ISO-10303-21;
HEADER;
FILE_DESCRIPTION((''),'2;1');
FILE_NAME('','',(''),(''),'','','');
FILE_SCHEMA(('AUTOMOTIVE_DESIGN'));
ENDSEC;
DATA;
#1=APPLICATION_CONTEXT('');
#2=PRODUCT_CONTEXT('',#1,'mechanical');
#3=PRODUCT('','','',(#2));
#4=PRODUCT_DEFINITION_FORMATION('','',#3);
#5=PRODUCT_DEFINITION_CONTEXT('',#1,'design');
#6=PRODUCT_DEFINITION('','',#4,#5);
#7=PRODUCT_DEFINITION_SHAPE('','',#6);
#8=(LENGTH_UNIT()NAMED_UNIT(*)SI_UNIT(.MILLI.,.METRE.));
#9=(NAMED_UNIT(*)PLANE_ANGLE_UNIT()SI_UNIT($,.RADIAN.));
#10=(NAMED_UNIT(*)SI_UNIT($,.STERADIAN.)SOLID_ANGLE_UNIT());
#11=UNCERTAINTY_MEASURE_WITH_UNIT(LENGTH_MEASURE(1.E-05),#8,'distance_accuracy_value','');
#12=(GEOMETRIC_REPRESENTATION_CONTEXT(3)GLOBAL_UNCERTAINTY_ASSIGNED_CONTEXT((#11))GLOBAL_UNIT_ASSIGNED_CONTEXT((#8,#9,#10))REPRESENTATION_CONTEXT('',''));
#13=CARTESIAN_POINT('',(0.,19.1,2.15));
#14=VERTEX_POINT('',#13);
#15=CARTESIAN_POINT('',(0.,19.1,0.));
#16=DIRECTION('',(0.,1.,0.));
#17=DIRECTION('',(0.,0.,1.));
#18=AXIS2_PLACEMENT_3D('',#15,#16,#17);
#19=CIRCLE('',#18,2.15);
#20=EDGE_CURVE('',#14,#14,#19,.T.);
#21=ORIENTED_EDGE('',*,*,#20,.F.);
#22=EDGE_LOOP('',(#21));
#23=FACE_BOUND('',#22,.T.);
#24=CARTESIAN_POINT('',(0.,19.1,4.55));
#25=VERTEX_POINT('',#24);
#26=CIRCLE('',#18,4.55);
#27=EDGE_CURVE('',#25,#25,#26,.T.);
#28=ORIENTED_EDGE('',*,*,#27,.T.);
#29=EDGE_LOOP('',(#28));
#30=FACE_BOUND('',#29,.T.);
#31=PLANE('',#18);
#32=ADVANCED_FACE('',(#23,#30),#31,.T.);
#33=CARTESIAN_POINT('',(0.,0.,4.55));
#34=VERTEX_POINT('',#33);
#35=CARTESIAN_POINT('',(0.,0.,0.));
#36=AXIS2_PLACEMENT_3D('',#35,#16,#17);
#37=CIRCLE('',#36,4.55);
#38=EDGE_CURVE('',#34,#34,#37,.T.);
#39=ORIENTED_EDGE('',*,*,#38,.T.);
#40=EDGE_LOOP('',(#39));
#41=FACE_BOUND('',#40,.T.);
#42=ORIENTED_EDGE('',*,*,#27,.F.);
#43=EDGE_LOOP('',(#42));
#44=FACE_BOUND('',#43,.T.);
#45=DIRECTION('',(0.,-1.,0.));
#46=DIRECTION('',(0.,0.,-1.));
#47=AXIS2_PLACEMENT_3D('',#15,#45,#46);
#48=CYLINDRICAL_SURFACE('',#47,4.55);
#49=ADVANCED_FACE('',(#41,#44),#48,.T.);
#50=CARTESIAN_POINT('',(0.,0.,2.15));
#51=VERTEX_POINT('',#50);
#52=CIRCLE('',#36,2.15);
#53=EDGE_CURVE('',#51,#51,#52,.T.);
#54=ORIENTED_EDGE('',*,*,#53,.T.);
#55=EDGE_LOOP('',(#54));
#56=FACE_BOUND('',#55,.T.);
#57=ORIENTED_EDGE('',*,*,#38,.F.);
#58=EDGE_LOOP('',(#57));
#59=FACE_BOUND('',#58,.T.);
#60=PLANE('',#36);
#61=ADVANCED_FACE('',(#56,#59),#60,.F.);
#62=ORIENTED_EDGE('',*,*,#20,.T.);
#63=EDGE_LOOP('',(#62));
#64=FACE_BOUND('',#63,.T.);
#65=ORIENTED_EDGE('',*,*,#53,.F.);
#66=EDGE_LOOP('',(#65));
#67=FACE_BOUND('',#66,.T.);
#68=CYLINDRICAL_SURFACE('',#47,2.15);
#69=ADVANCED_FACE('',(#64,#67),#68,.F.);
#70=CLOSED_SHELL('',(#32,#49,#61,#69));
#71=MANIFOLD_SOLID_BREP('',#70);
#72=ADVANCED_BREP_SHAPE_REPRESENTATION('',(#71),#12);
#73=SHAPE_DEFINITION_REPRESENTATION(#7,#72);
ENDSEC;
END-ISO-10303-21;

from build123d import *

# Parameters (mm, degrees)
SKETCH1_R           = 4.55
SKETCH1_R_2         = 2.15
BOSS_EXTRUDE2_DEPTH = 19.1


with BuildPart() as part:
    # Sketch1 → Boss-Extrude2 (new body)
    with BuildSketch(Plane(origin=(0, 0, 0), x_dir=(1, 0, 0), z_dir=(0, 1, 0))):
        Circle(SKETCH1_R)
        Circle(SKETCH1_R_2, mode=Mode.SUBTRACT)
    extrude(amount=BOSS_EXTRUDE2_DEPTH)


solid = part.part
